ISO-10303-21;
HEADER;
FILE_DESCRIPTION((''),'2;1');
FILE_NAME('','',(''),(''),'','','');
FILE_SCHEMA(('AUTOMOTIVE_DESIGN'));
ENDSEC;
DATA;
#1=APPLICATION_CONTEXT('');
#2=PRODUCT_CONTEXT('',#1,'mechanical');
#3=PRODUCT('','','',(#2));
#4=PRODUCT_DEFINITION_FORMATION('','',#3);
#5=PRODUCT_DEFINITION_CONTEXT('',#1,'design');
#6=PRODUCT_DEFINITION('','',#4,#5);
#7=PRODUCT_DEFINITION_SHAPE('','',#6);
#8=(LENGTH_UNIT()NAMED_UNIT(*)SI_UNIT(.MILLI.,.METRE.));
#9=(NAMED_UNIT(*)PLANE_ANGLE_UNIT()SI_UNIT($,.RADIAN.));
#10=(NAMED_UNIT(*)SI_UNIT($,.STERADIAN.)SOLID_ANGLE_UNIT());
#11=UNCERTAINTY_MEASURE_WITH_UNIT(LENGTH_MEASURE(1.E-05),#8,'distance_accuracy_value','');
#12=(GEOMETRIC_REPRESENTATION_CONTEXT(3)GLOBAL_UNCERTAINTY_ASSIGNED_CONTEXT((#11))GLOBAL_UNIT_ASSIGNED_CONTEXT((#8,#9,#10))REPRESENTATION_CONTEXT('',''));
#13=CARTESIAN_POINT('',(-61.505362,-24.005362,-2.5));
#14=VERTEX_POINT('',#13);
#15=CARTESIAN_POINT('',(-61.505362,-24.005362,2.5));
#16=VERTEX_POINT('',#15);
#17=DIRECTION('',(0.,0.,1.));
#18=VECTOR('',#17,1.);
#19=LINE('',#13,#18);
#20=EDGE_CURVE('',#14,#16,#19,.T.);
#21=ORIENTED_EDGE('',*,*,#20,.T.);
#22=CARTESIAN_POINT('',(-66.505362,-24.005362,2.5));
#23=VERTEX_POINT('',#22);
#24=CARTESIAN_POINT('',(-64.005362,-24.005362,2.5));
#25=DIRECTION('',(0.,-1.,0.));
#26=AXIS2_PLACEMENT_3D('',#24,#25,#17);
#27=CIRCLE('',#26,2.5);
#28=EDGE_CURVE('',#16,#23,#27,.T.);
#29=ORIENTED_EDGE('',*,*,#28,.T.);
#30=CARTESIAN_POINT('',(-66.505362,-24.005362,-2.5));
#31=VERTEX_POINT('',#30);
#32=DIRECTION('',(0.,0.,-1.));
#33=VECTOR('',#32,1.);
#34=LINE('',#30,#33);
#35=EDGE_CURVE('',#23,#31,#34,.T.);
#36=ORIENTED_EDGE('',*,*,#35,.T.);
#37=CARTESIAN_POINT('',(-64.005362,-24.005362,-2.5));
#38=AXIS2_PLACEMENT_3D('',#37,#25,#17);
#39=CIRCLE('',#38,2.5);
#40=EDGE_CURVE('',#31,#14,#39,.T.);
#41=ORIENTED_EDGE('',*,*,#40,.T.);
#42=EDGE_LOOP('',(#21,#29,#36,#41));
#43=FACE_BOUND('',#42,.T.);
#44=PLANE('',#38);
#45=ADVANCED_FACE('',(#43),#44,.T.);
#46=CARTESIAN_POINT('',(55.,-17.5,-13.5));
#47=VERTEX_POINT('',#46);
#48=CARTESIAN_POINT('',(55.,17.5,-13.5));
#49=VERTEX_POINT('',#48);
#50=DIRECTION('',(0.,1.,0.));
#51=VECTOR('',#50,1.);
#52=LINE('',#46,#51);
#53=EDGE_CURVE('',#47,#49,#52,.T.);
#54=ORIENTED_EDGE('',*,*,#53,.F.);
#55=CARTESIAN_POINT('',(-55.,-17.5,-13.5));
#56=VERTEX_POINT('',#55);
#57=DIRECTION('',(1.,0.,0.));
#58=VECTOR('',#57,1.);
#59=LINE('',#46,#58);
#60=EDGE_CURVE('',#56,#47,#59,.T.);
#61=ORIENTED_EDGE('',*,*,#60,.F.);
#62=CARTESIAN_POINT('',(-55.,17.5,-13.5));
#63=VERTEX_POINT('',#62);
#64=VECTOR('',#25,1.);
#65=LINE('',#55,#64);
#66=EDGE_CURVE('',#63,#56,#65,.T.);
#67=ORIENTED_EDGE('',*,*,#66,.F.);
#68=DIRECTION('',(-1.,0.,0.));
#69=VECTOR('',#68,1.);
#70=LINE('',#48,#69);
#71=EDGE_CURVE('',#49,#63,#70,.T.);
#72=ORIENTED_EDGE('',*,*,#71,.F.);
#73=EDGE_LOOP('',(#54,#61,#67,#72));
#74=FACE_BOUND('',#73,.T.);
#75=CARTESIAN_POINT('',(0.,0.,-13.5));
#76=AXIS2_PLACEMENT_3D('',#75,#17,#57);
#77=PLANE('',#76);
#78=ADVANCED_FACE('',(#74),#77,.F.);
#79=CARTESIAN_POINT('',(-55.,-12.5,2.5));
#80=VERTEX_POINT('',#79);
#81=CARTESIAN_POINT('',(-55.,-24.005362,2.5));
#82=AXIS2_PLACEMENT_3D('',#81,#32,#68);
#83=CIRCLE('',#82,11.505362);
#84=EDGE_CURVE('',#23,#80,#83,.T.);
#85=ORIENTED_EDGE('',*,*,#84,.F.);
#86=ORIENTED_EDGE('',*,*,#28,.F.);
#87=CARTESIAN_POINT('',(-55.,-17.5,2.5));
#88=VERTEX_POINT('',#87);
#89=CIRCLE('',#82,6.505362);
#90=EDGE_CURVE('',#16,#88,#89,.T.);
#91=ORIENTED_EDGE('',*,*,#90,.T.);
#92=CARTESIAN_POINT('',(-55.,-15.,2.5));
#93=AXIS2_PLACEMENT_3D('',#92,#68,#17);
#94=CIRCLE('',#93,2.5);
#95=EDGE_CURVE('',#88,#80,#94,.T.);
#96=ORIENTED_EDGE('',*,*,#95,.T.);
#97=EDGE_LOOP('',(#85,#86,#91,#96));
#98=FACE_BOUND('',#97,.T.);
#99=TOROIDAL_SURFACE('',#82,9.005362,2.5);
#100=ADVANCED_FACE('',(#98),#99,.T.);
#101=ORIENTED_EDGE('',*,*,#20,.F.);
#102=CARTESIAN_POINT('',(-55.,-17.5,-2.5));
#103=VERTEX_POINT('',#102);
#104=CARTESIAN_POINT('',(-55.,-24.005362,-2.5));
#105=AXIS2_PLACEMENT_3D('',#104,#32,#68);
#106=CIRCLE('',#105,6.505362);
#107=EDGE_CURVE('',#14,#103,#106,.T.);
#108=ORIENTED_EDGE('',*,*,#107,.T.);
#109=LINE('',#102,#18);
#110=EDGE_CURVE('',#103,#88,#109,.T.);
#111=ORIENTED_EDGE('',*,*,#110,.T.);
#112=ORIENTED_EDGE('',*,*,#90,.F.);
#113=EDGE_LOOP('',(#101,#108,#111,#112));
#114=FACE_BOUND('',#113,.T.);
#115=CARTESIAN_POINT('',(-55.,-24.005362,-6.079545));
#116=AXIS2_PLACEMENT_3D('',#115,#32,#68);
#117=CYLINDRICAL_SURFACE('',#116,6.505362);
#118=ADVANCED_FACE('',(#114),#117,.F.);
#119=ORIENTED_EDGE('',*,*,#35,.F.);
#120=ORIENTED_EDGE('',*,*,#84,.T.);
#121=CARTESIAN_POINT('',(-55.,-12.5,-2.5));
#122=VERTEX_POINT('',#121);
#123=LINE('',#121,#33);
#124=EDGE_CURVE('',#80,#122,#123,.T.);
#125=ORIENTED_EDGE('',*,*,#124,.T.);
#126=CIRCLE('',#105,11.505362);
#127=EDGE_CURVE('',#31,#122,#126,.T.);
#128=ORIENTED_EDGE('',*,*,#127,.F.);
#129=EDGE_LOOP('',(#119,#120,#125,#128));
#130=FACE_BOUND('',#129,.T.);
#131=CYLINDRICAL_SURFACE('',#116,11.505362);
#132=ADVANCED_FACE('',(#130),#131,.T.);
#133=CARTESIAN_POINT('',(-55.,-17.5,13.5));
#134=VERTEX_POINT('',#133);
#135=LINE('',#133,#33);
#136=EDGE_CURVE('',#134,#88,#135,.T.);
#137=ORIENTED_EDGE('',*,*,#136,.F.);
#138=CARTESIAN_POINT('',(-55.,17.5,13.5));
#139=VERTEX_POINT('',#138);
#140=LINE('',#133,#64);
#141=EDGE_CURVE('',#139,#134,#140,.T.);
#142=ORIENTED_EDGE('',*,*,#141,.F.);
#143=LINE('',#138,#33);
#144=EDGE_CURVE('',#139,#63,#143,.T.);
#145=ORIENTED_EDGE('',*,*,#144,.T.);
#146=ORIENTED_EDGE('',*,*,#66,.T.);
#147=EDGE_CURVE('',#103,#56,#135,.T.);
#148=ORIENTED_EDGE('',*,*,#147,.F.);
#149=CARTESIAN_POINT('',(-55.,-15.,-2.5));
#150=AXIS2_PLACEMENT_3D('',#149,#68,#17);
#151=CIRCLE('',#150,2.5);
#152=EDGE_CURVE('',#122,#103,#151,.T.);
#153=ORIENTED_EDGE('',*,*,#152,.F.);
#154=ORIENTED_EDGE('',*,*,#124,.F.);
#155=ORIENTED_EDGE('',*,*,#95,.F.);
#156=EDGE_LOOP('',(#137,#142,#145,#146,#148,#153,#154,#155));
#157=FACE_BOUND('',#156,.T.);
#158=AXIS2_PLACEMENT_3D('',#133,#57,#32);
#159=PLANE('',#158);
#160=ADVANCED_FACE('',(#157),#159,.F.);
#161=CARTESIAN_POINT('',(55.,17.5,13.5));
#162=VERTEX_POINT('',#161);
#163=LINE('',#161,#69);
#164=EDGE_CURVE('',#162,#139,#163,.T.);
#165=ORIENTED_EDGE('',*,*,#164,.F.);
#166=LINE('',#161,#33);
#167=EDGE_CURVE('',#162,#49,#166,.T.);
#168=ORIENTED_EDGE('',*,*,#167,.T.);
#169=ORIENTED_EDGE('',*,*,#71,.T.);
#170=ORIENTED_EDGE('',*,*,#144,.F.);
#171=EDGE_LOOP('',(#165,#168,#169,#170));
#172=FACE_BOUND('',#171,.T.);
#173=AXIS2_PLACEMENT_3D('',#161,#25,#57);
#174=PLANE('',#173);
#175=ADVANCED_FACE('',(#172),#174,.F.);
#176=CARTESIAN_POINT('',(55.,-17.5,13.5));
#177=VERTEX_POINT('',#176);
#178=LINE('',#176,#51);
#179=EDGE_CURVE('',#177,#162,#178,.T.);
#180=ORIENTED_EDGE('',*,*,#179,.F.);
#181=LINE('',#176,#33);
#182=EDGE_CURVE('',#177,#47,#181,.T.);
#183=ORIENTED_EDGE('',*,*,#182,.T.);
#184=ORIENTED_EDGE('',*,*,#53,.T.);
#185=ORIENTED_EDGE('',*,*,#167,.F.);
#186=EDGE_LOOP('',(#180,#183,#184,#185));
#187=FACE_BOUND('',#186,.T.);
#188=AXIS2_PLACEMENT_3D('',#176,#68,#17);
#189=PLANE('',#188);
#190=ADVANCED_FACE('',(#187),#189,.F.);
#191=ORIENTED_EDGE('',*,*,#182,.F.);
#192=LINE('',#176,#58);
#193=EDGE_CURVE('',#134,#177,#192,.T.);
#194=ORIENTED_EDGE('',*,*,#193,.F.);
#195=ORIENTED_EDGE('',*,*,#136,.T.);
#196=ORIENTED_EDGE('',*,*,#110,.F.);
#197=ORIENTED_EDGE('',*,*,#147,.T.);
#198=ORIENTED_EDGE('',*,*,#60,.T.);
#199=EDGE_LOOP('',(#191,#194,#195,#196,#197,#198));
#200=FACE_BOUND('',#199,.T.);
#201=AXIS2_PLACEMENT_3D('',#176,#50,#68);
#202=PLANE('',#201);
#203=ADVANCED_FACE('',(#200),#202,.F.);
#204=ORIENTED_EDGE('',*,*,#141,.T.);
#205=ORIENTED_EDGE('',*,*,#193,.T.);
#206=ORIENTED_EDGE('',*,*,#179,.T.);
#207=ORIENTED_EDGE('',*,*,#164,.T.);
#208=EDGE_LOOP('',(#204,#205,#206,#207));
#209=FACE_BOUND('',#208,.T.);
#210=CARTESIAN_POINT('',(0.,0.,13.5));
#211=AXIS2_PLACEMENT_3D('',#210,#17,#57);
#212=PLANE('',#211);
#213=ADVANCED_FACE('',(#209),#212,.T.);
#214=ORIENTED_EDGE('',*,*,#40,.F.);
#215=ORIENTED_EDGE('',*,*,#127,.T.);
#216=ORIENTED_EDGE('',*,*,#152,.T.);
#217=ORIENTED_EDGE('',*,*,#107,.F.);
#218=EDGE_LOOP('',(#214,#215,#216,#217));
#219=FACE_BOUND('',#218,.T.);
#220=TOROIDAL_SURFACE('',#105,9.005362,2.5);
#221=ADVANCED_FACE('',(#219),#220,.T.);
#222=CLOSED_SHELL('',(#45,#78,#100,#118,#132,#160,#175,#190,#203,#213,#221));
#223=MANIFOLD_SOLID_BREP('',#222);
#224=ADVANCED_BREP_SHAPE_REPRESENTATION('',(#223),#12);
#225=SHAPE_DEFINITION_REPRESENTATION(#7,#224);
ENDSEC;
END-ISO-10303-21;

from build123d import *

# Parameters (mm, degrees)
SKETCH_1_W      = 110
SKETCH_1_H      = 35
EXTRUDE_1_DEPTH = 13.5
REVOLVE_1_ANGLE = 90


with BuildPart() as part:
    # 草圖1 → 填料-伸長1 (new body, symmetric)
    with BuildSketch(Plane.XY):
        Rectangle(SKETCH_1_W, SKETCH_1_H)
    extrude(amount=EXTRUDE_1_DEPTH, both=True)

    # 草圖2 → 旋轉1 (revolve)
    with BuildSketch(Plane.ZY.offset(55)):
        with BuildLine():
            Line((-2.5, -12.5), (2.5, -12.5))
            ThreePointArc((2.5, -12.5), (5, -15), (2.5, -17.5))
            Line((2.5, -17.5), (-2.5, -17.5))
            ThreePointArc((-2.5, -17.5), (-5, -15), (-2.5, -12.5))
        make_face()
    revolve(axis=Axis((-55, -24.005362061, -6.079544695), (0, 0, 1)), revolution_arc=REVOLVE_1_ANGLE)


solid = part.part
